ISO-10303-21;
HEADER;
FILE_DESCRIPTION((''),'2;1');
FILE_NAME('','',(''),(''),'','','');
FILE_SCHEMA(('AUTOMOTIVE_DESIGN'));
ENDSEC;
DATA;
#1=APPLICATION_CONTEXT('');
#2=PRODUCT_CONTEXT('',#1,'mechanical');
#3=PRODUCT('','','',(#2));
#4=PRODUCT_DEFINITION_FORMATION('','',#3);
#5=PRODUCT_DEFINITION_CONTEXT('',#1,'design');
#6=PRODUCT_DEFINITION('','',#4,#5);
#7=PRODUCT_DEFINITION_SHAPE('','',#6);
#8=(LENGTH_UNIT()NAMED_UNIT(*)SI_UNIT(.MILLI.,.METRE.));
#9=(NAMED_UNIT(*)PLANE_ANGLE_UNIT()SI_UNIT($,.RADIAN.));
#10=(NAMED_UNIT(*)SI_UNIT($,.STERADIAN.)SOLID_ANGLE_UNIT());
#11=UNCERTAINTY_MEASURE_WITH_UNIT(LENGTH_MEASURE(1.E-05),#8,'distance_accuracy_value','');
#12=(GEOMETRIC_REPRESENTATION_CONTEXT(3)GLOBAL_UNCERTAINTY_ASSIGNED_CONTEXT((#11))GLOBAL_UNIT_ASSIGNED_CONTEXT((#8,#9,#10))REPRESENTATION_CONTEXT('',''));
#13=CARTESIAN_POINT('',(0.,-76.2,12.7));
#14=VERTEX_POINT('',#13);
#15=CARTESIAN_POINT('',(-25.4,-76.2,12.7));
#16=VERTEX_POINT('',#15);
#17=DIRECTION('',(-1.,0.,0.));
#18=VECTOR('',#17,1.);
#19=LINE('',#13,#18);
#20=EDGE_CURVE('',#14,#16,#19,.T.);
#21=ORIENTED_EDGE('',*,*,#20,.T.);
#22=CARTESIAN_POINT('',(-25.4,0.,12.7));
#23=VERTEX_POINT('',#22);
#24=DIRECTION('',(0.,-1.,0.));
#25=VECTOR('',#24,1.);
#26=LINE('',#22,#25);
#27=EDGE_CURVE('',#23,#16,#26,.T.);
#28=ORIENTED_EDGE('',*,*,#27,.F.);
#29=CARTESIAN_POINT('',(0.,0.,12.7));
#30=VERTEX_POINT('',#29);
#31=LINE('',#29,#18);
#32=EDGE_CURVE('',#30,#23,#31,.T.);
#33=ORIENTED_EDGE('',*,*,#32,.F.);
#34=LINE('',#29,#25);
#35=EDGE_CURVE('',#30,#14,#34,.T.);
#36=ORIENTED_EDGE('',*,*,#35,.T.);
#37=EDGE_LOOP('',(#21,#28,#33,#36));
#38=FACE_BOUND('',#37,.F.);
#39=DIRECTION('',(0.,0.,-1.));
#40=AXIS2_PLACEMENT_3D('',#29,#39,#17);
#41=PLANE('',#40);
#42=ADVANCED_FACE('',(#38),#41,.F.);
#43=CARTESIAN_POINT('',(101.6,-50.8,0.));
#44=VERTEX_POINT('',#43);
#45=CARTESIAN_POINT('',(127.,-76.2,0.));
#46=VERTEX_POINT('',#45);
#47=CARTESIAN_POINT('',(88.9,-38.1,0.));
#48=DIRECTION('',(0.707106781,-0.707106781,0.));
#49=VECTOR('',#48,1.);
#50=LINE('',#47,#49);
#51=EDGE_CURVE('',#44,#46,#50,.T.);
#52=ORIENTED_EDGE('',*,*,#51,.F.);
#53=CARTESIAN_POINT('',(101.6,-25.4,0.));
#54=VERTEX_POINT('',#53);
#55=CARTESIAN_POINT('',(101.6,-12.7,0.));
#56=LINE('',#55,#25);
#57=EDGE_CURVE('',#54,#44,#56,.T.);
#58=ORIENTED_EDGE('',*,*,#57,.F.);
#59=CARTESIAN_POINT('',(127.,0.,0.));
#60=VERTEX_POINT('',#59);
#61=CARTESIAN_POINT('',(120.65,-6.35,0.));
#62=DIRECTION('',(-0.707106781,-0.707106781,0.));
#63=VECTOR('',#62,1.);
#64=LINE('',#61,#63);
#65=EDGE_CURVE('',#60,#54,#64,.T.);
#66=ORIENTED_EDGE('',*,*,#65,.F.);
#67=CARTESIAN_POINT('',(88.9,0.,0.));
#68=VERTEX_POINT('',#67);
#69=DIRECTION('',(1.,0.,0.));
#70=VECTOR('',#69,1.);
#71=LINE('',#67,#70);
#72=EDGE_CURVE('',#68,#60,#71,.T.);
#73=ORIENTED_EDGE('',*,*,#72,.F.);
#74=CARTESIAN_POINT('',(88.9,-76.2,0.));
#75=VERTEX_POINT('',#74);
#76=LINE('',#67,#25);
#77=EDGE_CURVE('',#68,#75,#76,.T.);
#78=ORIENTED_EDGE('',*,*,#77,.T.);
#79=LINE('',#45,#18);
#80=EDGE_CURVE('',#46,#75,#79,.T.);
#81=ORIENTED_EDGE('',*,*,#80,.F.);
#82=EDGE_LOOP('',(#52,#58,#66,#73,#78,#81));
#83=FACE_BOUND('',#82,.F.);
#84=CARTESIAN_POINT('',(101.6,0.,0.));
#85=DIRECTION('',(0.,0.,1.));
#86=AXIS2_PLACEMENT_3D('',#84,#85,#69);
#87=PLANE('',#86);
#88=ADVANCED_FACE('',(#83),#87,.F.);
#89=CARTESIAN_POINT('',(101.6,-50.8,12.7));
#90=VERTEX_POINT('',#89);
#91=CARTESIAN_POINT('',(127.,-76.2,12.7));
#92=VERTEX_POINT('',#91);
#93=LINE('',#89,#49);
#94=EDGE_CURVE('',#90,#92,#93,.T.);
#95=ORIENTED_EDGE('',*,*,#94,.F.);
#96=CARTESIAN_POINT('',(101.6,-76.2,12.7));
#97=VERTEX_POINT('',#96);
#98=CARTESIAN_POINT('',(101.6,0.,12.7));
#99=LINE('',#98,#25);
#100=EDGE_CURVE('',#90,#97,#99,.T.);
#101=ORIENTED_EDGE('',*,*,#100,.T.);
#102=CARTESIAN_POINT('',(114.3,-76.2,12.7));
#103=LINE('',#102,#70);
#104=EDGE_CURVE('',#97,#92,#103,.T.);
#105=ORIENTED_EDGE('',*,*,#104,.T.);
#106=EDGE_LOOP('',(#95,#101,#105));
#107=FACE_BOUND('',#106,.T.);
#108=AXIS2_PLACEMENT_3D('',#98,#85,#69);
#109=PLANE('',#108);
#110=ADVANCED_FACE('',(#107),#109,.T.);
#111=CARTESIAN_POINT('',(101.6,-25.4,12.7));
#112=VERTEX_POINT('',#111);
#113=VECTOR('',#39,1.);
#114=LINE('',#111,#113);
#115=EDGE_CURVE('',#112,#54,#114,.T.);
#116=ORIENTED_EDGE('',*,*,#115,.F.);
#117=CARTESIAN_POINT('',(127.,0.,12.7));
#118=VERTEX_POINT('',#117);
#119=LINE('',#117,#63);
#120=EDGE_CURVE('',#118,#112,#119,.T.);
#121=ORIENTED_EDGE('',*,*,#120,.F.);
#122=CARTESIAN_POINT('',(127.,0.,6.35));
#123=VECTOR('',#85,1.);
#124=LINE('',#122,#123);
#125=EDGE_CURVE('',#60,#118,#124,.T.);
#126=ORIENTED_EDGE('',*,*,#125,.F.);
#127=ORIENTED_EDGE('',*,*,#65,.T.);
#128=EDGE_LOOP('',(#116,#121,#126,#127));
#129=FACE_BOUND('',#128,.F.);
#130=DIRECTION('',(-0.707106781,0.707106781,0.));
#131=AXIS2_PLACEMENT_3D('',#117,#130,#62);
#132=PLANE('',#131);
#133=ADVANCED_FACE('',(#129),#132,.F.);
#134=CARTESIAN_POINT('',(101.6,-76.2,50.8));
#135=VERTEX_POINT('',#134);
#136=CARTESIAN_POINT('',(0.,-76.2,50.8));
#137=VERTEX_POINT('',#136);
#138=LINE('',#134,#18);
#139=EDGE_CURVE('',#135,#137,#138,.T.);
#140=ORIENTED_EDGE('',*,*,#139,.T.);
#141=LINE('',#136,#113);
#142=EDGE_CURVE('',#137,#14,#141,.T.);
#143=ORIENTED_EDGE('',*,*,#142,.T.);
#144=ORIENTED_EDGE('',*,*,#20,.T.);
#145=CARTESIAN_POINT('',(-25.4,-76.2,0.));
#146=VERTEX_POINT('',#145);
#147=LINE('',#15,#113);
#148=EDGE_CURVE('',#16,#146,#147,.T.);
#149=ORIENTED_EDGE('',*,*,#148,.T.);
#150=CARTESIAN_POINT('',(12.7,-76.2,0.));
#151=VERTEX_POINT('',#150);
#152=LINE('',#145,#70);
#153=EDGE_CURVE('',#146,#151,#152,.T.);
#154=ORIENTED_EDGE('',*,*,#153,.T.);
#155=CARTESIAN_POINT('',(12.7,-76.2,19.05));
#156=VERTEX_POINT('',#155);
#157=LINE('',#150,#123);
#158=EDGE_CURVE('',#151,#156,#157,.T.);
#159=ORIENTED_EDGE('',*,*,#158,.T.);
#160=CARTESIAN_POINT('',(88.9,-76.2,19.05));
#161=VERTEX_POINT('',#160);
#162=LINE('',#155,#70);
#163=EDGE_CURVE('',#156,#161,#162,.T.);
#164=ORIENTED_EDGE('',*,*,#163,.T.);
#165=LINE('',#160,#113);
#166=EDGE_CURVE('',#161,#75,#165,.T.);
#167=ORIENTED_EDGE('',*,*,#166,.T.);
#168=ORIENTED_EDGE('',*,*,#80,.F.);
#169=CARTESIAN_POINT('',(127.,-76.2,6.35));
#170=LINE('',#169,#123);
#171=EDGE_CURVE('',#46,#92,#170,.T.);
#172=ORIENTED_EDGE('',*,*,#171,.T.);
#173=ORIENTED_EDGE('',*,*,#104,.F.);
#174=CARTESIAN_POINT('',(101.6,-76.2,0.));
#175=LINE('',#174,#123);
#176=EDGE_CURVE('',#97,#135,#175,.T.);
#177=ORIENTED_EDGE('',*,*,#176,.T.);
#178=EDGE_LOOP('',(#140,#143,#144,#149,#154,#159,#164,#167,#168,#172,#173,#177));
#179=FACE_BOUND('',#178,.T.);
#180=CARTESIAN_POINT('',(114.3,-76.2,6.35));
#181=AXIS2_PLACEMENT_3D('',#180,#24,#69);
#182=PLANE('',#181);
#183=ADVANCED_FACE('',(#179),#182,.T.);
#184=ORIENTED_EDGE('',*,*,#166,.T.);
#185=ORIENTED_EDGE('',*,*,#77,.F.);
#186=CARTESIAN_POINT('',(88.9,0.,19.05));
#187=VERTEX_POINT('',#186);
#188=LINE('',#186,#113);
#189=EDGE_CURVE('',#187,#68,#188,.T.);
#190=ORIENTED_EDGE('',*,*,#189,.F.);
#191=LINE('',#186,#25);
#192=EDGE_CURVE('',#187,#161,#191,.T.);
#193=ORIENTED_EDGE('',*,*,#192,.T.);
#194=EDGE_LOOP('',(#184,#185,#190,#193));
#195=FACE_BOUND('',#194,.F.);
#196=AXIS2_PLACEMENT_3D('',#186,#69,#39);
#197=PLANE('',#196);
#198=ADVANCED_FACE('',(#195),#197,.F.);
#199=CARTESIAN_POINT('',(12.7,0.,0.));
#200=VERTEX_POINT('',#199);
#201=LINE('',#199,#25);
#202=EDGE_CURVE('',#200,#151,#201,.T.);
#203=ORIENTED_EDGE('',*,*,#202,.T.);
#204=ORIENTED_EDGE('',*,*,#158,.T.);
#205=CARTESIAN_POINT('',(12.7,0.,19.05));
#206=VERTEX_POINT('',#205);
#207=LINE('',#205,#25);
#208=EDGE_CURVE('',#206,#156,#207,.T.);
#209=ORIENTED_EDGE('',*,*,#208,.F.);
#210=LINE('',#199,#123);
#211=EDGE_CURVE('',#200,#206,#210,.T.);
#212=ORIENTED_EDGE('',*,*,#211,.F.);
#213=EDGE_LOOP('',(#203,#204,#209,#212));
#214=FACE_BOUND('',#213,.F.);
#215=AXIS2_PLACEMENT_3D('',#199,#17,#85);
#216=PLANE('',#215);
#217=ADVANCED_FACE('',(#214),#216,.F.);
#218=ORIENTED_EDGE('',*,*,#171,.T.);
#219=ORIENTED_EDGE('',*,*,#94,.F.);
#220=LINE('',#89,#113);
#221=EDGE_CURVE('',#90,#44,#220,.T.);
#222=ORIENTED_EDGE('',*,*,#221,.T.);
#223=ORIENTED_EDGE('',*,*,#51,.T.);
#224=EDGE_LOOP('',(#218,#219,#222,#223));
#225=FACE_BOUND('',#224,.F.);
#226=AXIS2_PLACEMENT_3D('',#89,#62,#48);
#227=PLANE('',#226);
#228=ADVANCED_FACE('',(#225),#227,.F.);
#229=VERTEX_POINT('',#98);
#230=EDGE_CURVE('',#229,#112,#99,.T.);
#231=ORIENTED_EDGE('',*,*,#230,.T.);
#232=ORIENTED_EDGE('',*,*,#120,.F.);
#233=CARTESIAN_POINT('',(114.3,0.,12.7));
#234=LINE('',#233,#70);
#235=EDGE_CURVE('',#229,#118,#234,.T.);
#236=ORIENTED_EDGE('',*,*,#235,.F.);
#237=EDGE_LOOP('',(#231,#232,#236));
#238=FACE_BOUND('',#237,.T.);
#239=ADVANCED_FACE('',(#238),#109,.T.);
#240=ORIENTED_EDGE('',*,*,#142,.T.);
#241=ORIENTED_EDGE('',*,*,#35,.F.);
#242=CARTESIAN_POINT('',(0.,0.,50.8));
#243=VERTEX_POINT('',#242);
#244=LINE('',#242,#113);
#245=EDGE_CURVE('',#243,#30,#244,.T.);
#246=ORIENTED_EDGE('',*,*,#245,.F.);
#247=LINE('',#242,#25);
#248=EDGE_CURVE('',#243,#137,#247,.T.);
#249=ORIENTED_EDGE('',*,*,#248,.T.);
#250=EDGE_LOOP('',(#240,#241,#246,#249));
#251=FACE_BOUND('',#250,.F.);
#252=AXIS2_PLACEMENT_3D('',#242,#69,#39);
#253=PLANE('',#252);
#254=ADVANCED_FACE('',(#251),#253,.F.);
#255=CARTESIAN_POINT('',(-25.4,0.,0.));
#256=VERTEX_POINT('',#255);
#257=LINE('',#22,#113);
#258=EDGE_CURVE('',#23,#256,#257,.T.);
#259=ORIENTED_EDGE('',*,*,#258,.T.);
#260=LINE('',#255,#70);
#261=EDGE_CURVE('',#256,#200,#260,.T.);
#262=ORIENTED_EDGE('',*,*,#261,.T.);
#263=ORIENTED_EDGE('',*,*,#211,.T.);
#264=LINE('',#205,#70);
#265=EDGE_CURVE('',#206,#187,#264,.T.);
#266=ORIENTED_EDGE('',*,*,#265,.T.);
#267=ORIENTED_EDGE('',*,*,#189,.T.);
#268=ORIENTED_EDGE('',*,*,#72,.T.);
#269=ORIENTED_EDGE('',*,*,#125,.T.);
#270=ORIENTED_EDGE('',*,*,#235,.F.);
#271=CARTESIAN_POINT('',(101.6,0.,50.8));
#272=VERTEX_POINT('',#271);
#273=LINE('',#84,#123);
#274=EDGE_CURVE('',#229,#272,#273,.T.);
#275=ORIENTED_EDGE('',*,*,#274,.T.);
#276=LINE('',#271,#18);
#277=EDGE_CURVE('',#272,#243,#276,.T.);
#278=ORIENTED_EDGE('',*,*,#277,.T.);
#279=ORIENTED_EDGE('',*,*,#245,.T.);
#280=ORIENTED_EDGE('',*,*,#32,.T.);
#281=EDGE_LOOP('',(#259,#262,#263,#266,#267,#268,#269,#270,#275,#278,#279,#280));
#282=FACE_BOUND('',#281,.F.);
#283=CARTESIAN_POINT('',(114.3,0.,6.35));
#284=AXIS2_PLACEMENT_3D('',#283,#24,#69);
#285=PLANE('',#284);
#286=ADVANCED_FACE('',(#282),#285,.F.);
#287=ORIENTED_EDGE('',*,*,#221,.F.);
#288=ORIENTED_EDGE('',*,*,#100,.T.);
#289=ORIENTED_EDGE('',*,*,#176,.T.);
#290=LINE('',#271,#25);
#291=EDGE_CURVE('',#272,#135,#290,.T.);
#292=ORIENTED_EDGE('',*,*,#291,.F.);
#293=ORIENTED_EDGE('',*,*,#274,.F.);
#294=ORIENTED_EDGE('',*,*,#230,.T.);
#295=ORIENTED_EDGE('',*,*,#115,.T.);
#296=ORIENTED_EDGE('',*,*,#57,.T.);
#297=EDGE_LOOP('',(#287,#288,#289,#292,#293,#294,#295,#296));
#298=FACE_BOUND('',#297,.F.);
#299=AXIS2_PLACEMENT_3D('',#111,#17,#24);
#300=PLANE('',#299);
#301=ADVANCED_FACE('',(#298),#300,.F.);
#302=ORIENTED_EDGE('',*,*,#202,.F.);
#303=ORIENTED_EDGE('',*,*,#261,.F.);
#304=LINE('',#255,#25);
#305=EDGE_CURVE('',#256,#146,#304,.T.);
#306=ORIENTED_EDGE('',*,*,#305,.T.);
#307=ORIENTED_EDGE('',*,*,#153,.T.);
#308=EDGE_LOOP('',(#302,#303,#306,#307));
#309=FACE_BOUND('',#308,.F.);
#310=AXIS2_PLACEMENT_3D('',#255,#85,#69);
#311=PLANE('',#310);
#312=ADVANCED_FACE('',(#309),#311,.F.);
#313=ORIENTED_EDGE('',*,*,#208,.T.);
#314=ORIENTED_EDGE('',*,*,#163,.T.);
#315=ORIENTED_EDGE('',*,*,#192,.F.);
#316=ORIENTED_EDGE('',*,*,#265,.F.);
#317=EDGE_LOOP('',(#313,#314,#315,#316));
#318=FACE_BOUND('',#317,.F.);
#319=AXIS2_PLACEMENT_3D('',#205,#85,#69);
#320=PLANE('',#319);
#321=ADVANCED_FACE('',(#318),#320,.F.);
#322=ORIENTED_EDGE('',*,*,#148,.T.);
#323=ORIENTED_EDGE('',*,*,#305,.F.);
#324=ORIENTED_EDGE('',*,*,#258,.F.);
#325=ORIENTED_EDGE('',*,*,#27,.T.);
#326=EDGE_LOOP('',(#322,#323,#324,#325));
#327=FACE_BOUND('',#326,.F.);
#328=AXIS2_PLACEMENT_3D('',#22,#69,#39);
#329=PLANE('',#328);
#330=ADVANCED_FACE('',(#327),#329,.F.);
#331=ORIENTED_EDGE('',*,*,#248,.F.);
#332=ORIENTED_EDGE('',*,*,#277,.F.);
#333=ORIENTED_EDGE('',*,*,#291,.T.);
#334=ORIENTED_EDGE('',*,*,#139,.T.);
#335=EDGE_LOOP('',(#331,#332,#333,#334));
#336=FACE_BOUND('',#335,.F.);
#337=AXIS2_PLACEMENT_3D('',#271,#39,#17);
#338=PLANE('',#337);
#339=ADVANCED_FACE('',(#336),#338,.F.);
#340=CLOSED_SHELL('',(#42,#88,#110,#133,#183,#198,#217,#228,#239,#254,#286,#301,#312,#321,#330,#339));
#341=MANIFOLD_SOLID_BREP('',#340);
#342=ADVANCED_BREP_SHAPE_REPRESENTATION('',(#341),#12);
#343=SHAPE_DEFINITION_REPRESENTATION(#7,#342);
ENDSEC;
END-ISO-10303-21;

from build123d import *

# Parameters (mm, degrees)
F1_DEPTH = 76.2
F0_W     = 25.4
F0_H     = 12.7
F2_DEPTH = 76.2
F4_DEPTH = 25.4


with BuildPart() as f1:
    # F0 (on Front) → F1 (new body)
    with BuildSketch(Plane.XZ):
        Polygon((-25.4, 0), (0, 0), (12.7, 0), (12.7, 19.05), (88.9, 19.05), (88.9, 0), (101.6, 0), (101.6, 12.7), (101.6, 50.8), (0, 50.8), (0, 12.7), (-25.4, 12.7), align=None)
    extrude(amount=F1_DEPTH)

    # F0 (on Front) → F2 (join)
    with BuildSketch(Plane.XZ):
        with Locations((114.3, 6.35)):
            Rectangle(F0_W, F0_H)
    extrude(amount=F2_DEPTH)

    # F3 (on face) → F4 (cut)
    with BuildSketch(Plane.XY.offset(12.7)):
        Polygon((101.6, -25.4), (101.6, -50.8), (127, -76.2), (127, 0), align=None)
    extrude(amount=-F4_DEPTH, mode=Mode.SUBTRACT)


solid = f1.part
